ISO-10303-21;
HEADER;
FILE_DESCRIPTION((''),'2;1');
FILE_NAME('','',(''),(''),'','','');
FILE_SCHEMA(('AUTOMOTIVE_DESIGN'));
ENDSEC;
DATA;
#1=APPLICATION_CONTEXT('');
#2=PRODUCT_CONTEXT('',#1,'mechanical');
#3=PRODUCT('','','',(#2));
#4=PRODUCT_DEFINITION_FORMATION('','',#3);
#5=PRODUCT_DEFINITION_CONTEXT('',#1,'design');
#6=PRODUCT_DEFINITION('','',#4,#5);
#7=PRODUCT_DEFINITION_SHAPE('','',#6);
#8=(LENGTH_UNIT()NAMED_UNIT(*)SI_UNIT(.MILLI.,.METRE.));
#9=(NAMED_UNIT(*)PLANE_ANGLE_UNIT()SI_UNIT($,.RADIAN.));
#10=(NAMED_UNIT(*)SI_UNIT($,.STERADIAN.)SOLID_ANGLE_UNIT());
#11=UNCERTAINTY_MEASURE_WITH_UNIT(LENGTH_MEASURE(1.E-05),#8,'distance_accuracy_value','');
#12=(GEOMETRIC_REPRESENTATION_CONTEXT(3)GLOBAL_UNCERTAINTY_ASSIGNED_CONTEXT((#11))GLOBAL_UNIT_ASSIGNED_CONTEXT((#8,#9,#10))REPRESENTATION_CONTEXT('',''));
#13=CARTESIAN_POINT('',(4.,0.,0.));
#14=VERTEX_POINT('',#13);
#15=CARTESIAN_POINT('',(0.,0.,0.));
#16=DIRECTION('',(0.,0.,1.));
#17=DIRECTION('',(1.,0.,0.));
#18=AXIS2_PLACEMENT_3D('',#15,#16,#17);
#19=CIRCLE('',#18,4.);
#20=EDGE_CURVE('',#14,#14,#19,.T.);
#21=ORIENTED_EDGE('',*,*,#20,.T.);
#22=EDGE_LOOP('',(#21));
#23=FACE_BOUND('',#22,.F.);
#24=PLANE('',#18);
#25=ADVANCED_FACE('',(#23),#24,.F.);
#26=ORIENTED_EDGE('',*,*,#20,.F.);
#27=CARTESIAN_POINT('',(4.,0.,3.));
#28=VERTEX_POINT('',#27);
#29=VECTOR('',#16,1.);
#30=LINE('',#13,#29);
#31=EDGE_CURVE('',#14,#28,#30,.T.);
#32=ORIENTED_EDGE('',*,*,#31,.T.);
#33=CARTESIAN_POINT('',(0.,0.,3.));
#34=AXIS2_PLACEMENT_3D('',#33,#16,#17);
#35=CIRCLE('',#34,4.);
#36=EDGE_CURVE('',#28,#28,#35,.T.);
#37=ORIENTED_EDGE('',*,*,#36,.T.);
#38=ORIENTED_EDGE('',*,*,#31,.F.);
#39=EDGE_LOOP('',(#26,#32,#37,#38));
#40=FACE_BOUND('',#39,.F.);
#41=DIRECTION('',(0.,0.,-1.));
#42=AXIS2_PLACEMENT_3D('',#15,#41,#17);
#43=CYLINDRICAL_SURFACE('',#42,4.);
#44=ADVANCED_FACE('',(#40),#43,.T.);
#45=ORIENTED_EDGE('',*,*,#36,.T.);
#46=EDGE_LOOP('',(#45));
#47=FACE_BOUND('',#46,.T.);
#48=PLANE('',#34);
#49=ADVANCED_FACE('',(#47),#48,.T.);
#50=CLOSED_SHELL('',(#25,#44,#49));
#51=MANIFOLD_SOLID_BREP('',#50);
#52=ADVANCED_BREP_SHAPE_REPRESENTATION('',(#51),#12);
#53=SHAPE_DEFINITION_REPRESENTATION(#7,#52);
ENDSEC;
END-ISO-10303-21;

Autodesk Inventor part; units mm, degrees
ref_plane "YZ Plane" through (0, 0, 0) normal (1, 0, 0) x (0, 1, 0)
ref_plane "XZ Plane" through (0, 0, 0) normal (0, 1, 0) x (-1, 0, 0)
ref_plane "XY Plane" through (0, 0, 0) normal (0, 0, 1) x (1, 0, 0)
sketch "Skizze1" plane through (0, 0, 0) normal (0, 0, 1) x (1, 0, 0)
  circle A0 centre (0, 0) radius 4
  dimension "d0" = 8
extrude "Extrusion1" add sketch "Skizze1" along normal blind 3
properties part number "00_Magnet_8x3mm"
